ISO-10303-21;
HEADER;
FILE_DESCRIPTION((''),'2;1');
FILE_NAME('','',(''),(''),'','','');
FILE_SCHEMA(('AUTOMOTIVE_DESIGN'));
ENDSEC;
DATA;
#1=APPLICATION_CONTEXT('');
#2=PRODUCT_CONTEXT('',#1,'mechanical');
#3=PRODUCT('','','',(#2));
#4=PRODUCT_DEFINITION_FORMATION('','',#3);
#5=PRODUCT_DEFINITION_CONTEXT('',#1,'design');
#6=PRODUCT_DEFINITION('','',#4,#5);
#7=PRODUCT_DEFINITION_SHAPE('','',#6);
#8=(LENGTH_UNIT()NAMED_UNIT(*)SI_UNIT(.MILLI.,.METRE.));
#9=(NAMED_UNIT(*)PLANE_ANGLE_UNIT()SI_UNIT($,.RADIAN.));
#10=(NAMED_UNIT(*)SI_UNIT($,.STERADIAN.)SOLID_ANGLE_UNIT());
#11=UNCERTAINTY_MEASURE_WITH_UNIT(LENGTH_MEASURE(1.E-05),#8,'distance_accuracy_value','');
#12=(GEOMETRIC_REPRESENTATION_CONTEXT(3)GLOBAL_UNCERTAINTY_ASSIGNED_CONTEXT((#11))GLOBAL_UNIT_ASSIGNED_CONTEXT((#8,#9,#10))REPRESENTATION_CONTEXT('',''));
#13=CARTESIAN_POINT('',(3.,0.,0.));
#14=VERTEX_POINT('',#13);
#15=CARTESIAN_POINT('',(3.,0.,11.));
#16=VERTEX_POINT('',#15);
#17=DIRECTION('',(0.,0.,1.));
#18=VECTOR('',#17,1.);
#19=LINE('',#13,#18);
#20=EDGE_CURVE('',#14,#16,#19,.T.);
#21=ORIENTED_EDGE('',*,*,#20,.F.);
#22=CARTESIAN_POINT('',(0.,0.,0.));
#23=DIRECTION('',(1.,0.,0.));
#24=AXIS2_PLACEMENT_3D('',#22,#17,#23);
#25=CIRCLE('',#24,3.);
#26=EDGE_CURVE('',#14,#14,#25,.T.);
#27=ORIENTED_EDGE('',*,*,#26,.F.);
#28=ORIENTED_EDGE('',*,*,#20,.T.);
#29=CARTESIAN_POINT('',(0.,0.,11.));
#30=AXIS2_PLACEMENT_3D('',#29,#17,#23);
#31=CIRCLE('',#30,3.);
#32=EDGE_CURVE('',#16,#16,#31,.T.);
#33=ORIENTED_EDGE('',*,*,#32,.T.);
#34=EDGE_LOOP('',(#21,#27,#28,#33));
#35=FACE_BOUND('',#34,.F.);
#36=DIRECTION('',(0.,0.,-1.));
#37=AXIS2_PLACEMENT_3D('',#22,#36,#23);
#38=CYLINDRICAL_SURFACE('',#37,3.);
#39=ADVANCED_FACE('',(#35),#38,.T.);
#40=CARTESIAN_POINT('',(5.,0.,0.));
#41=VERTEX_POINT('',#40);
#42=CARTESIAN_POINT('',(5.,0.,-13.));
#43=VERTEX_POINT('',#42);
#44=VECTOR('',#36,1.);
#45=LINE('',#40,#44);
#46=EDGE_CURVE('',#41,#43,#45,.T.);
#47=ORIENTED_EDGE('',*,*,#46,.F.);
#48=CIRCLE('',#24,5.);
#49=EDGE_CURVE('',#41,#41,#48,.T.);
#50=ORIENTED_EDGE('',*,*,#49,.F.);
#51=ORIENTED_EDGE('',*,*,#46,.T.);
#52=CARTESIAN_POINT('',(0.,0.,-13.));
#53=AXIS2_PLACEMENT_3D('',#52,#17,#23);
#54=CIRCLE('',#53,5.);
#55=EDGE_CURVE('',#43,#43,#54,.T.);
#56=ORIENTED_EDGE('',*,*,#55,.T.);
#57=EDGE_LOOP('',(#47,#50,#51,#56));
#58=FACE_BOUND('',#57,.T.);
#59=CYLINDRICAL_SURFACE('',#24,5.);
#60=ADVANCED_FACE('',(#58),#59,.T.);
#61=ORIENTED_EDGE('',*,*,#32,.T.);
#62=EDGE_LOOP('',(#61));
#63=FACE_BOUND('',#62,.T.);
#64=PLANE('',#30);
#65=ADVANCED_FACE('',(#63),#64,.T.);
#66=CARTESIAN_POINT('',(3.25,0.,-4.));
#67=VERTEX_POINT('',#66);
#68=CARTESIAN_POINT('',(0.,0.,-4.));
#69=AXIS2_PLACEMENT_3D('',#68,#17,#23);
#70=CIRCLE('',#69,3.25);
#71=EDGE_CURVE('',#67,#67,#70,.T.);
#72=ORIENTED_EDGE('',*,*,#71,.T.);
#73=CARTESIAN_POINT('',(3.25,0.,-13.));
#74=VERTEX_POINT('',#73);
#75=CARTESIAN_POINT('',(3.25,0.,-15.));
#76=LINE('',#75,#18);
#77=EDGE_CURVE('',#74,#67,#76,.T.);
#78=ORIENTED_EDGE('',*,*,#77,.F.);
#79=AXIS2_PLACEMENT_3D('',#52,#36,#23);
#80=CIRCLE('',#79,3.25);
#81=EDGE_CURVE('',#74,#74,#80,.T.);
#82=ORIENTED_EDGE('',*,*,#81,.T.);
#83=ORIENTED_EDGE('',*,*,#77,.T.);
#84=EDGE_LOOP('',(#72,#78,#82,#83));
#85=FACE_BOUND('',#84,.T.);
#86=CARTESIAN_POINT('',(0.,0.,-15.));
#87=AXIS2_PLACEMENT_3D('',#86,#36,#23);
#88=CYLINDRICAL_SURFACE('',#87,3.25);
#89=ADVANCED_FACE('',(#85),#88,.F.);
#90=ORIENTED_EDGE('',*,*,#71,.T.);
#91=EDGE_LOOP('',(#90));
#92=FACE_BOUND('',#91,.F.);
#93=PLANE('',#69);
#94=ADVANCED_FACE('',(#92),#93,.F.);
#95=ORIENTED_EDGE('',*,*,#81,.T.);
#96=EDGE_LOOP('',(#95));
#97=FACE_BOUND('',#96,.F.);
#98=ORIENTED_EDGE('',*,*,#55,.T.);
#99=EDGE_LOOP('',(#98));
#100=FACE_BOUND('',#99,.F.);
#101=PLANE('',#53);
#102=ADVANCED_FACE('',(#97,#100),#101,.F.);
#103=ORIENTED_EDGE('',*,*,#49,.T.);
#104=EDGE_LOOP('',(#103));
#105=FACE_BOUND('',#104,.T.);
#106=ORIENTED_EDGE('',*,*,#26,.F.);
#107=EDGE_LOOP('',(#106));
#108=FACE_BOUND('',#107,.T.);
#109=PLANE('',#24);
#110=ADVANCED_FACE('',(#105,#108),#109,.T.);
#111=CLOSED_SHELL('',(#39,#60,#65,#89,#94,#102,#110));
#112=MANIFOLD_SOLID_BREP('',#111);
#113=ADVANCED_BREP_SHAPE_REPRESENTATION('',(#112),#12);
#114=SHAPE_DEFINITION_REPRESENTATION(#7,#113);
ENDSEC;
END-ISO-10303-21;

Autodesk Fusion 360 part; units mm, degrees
sketch "Sketch1" plane through (0, 0, 0) normal (0, 0, 1) x (1, 0, 0)
  circle A0 centre (0, 0) radius 3
  circle A1 centre (0, 0) radius 5
  dimension "d1" = 6
  dimension "d4" = 10
extrude "Extrude1" add sketch "Sketch1" along normal blind 11 contours A0
extrude "Extrude2" add sketch "Sketch1" against normal blind 13 contours A0 | A1
ref_plane "WorkPlane1" through (0, 0, -15) normal (0, 0, 1) x (1, 0, 0)
sketch "Sketch2" plane through (0, 0, -15) normal (0, 0, 1) x (1, 0, 0)
  circle A0 centre (0, 0) radius 3.25
  dimension "d8" = 6.5
extrude "Extrude3" cut sketch "Sketch2" along normal blind 11
